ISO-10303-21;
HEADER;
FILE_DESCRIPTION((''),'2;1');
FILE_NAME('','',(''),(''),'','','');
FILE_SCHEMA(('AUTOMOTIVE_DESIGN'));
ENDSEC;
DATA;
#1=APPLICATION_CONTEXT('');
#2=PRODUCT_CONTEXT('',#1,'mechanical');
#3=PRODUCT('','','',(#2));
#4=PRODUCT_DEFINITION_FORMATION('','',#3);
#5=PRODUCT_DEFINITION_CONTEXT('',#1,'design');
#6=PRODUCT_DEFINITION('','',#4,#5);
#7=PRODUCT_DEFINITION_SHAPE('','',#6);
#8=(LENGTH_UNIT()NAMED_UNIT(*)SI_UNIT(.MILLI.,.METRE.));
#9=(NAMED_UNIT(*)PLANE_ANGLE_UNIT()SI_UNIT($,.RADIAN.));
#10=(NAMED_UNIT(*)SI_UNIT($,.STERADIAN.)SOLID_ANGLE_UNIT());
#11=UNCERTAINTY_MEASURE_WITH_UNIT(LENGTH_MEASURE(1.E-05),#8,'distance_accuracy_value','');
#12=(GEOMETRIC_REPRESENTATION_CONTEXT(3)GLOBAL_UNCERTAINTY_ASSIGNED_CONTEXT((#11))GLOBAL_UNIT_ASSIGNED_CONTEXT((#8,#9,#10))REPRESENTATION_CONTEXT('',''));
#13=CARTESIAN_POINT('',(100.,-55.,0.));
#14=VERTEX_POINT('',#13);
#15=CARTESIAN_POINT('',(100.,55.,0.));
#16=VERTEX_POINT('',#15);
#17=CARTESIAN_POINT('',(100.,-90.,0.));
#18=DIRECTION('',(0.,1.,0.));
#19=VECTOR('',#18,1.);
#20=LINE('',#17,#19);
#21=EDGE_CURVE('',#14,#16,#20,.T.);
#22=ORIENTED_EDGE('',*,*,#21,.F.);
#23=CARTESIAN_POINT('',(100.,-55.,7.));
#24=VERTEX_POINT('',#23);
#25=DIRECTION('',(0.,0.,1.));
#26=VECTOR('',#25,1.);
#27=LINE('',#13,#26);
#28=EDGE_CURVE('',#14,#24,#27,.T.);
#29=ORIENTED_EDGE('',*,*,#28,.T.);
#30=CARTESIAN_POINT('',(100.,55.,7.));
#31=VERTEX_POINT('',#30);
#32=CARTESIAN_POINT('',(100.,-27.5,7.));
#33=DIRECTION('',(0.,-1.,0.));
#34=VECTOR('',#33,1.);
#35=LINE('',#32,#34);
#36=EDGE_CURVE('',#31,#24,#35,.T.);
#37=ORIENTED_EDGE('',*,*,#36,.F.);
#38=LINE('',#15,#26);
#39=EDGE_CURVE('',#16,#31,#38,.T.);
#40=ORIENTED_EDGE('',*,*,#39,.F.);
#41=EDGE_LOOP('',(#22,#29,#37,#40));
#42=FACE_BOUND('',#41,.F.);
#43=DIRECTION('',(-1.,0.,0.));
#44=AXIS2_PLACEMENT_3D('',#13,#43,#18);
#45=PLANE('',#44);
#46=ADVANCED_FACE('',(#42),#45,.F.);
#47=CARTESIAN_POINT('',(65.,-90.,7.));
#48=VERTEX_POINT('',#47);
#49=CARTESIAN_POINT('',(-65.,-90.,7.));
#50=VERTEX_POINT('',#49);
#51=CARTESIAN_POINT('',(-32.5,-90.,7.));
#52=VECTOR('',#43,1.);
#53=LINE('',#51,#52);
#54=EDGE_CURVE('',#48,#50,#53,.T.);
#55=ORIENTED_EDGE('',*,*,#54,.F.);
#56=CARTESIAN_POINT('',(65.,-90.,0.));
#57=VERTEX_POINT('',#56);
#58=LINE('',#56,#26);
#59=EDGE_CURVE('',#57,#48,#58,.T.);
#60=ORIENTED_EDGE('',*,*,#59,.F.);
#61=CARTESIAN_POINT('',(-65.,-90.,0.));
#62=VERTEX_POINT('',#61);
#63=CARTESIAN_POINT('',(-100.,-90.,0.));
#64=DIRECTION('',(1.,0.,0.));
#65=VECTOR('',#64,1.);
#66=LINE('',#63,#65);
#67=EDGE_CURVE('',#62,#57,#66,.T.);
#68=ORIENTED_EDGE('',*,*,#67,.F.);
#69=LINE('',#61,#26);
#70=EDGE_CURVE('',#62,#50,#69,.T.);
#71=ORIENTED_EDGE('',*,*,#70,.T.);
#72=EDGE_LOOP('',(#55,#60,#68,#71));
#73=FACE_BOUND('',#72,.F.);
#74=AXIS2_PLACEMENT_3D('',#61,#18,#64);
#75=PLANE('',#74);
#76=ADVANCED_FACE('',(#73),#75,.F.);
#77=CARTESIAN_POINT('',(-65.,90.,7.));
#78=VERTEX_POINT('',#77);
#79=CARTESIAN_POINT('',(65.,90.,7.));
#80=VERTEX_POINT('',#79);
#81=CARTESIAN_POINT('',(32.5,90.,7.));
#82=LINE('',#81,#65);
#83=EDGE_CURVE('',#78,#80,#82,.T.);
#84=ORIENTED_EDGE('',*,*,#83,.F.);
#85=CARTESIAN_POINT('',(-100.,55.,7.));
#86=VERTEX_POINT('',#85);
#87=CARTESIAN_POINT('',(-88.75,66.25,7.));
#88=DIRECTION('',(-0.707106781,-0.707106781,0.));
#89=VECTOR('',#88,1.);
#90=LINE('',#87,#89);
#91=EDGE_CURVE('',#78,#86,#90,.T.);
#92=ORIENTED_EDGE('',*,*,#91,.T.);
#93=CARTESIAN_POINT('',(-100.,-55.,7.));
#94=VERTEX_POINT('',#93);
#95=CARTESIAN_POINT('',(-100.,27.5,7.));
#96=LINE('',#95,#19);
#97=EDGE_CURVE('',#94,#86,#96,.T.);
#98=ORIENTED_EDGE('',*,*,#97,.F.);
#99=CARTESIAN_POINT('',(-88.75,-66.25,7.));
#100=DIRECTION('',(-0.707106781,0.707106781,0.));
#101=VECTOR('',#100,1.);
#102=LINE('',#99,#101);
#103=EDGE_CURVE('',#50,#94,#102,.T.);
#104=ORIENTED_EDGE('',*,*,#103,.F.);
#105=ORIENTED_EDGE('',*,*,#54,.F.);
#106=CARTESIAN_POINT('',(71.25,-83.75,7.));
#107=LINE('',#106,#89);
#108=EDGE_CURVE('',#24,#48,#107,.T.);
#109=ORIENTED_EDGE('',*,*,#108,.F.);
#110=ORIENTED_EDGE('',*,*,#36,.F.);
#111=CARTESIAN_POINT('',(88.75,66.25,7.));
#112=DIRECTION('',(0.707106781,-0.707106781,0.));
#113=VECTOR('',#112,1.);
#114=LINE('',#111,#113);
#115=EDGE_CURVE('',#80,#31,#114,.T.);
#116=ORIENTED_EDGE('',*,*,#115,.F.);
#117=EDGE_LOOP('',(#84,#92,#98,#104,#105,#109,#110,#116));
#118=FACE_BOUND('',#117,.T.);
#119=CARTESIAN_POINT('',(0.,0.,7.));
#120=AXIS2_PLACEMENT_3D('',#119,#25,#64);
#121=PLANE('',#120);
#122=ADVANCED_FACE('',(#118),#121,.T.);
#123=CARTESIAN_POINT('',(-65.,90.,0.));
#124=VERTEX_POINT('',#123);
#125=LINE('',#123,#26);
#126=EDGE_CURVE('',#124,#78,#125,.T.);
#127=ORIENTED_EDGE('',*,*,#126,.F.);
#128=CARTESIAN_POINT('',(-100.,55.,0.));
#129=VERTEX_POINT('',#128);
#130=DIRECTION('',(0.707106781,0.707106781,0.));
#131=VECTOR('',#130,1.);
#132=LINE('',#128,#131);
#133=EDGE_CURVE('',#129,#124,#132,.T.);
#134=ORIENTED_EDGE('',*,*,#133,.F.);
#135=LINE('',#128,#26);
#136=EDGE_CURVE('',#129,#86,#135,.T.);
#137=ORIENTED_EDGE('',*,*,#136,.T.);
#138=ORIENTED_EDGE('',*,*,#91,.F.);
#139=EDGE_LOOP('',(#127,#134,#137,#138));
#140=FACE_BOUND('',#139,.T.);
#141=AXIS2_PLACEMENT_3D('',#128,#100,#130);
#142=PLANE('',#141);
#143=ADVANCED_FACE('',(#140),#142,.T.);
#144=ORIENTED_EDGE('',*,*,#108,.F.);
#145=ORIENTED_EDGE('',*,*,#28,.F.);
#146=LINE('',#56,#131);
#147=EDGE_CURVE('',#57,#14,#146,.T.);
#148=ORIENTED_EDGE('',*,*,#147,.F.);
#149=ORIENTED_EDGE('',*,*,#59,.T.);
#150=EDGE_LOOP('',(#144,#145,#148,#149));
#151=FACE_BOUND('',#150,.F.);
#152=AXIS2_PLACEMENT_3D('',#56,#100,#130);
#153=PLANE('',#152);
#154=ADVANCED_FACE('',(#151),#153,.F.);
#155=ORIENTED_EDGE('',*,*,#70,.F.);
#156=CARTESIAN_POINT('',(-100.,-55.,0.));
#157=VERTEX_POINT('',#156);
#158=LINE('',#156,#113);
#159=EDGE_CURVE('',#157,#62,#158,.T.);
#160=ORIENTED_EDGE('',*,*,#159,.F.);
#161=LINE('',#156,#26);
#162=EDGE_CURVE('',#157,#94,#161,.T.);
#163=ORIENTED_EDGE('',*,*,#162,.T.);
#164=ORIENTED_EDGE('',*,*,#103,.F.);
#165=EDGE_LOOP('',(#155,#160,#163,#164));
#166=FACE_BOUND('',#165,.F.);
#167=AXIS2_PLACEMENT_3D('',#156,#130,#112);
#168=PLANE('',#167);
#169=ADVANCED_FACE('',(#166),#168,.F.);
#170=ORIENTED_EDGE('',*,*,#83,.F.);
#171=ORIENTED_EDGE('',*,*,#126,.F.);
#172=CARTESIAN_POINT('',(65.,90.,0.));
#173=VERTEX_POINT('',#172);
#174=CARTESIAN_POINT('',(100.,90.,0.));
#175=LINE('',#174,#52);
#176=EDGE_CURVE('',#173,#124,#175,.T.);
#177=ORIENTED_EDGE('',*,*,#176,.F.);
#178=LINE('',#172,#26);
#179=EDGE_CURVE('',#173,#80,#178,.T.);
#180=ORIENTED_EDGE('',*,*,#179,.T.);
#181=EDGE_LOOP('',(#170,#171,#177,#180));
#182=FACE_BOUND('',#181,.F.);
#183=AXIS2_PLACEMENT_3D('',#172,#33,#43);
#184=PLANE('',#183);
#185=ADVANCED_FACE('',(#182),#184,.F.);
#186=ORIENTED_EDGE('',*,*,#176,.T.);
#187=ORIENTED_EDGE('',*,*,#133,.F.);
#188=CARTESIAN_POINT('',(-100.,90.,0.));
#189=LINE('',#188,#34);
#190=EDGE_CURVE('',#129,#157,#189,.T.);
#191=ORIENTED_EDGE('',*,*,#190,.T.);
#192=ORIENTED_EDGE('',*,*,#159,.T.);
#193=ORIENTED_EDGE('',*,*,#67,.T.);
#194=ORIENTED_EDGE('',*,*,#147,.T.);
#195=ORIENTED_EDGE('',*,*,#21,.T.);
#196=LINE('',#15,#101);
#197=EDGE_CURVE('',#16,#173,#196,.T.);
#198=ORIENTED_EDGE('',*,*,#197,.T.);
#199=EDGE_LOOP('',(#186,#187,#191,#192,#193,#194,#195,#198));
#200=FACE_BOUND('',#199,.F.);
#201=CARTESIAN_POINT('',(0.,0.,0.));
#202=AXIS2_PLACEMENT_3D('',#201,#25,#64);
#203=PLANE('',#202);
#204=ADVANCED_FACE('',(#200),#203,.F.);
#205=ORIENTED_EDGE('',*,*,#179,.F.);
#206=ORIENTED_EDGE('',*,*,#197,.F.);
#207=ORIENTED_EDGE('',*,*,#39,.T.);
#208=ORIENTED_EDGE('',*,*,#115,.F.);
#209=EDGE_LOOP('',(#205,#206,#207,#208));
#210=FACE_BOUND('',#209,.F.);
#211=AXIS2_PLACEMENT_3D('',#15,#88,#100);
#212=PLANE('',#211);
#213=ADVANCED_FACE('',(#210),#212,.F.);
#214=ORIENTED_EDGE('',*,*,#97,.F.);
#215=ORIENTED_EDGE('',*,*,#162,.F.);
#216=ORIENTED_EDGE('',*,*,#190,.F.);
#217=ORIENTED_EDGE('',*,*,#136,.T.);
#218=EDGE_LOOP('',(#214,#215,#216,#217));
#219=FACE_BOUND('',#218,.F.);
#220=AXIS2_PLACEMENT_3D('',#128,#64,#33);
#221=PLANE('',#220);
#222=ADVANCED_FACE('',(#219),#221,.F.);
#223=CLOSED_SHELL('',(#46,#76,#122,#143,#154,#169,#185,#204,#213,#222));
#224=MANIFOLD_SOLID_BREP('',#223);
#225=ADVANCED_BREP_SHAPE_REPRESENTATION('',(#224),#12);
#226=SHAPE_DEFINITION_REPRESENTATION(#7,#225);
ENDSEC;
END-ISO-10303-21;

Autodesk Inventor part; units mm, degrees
ref_plane "YZ Plane" through (0, 0, 0) normal (1, 0, 0) x (0, 1, 0)
ref_plane "XZ Plane" through (0, 0, 0) normal (0, 1, 0) x (-1, 0, 0)
ref_plane "XY Plane" through (0, 0, 0) normal (0, 0, 1) x (1, 0, 0)
sketch "Эскиз1" plane through (0, 0, 0) normal (0, 0, 1) x (1, 0, 0)
  line L0 (11.0194, 105.4233) -> (11.0194, 99.2429)
  line L1 (11.0194, 99.2429) -> (-11.0194, 99.2429)
  line L2 (-11.0194, 99.2429) -> (-11.0194, 105.4233)
  line L3 (-11.0194, 105.4233) -> (11.0194, 105.4233)
  circle A0 centre (104, 76) radius 1.481
  circle A1 centre (104, -76) radius 1.481
  circle A2 centre (-104, -76) radius 1.481
  circle A3 centre (-104, 76) radius 1.481
  arc A4 (135.5, -107) -> (137.5, -105) centre (135.5, -105) ccw
  line L4 (137.5, 105) -> (137.5, -105)
  arc A5 (137.5, 105) -> (135.5, 107) centre (135.5, 105) ccw
  line L5 (-135.5, 107) -> (135.5, 107)
  arc A6 (-135.5, 107) -> (-137.5, 105) centre (-135.5, 105) ccw
  line L6 (-137.5, -105) -> (-137.5, 105)
  arc A7 (-137.5, -105) -> (-135.5, -107) centre (-135.5, -105) ccw
  line L7 (135.5, -107) -> (-135.5, -107)
  line L8 (-132.5, -102) -> (-132.5, 102)
  line L9 (-132.5, 102) -> (132.5, 102)
  line L10 (132.5, 102) -> (132.5, -102)
  line L11 (132.5, -102) -> (-132.5, -102)
  point P0 (0, 0)
  dimension "d0" = 5
extrude "Выдавливание1" add sketch "Эскиз1" along normal blind 7 contours L9 L10 L11 L8 L2 L1 L0 | L0 L1 L2 L9
sketch "Эскиз2" plane through (0, 0, 7) normal (0, 0, 1) x (1, 0, 0)
  line L0 (-146.9193, 158.9761) -> (149.0915, 158.9761) construction
  line L1 (149.0915, 158.9761) -> (149.0915, -137.0348) construction
  line L2 (149.0915, -137.0348) -> (-146.9193, -137.0348) construction
  line L3 (-146.9193, -137.0348) -> (-146.9193, 158.9761) construction
  point P0 (0, 0)
decal "Маркировка1"
sketch "Эскиз4" plane through (0, 0, 0) normal (0, 0, -1) x (-1, 0, 0)
  line L0 (-100, 90) -> (100, 90)
  line L1 (100, 90) -> (100, -90)
  line L2 (100, -90) -> (-100, -90)
  line L3 (-100, -90) -> (-100, 90)
  line L4 (-100, 90) -> (100, -90) construction
  line L5 (100, 90) -> (-100, -90) construction
  line L6 (100, -55) -> (65, -90)
  line L7 (-65, -90) -> (-100, -55)
  line L8 (-100, 55) -> (-65, 90)
  line L9 (100, 55) -> (65, 90)
  line L10 (-65, 90) -> (65, 90) construction
  line L11 (65, 90) -> (65, -90) construction
  line L12 (65, -90) -> (-65, -90) construction
  line L13 (-65, -90) -> (-65, 90) construction
  line L14 (-65, 90) -> (65, -90) construction
  line L15 (65, 90) -> (-65, -90) construction
  line L16 (-276.1466, 193.443) -> (276.1466, 193.443)
  line L17 (276.1466, 193.443) -> (276.1466, -193.443)
  line L18 (276.1466, -193.443) -> (-276.1466, -193.443)
  line L19 (-276.1466, -193.443) -> (-276.1466, 193.443)
  line L20 (-276.1466, 193.443) -> (276.1466, -193.443) construction
  line L21 (276.1466, 193.443) -> (-276.1466, -193.443) construction
  point P0 (0, 0)
  point P1 (0, 0)
  dimension "d18" = 200
  dimension "d19" = 180
  dimension "d20" = 45
  dimension "d21" = 45
  dimension "d22" = 45
  dimension "d23" = 45
  dimension "d24" = 130
extrude "Выдавливание3" cut sketch "Эскиз4" against normal blind 10 contours L0 L8 L3 | L0 L1 L9 | L7 L2 L3 | L1 L2 L6 | L16 L17 L18 L19
properties part number "утепление стола"
